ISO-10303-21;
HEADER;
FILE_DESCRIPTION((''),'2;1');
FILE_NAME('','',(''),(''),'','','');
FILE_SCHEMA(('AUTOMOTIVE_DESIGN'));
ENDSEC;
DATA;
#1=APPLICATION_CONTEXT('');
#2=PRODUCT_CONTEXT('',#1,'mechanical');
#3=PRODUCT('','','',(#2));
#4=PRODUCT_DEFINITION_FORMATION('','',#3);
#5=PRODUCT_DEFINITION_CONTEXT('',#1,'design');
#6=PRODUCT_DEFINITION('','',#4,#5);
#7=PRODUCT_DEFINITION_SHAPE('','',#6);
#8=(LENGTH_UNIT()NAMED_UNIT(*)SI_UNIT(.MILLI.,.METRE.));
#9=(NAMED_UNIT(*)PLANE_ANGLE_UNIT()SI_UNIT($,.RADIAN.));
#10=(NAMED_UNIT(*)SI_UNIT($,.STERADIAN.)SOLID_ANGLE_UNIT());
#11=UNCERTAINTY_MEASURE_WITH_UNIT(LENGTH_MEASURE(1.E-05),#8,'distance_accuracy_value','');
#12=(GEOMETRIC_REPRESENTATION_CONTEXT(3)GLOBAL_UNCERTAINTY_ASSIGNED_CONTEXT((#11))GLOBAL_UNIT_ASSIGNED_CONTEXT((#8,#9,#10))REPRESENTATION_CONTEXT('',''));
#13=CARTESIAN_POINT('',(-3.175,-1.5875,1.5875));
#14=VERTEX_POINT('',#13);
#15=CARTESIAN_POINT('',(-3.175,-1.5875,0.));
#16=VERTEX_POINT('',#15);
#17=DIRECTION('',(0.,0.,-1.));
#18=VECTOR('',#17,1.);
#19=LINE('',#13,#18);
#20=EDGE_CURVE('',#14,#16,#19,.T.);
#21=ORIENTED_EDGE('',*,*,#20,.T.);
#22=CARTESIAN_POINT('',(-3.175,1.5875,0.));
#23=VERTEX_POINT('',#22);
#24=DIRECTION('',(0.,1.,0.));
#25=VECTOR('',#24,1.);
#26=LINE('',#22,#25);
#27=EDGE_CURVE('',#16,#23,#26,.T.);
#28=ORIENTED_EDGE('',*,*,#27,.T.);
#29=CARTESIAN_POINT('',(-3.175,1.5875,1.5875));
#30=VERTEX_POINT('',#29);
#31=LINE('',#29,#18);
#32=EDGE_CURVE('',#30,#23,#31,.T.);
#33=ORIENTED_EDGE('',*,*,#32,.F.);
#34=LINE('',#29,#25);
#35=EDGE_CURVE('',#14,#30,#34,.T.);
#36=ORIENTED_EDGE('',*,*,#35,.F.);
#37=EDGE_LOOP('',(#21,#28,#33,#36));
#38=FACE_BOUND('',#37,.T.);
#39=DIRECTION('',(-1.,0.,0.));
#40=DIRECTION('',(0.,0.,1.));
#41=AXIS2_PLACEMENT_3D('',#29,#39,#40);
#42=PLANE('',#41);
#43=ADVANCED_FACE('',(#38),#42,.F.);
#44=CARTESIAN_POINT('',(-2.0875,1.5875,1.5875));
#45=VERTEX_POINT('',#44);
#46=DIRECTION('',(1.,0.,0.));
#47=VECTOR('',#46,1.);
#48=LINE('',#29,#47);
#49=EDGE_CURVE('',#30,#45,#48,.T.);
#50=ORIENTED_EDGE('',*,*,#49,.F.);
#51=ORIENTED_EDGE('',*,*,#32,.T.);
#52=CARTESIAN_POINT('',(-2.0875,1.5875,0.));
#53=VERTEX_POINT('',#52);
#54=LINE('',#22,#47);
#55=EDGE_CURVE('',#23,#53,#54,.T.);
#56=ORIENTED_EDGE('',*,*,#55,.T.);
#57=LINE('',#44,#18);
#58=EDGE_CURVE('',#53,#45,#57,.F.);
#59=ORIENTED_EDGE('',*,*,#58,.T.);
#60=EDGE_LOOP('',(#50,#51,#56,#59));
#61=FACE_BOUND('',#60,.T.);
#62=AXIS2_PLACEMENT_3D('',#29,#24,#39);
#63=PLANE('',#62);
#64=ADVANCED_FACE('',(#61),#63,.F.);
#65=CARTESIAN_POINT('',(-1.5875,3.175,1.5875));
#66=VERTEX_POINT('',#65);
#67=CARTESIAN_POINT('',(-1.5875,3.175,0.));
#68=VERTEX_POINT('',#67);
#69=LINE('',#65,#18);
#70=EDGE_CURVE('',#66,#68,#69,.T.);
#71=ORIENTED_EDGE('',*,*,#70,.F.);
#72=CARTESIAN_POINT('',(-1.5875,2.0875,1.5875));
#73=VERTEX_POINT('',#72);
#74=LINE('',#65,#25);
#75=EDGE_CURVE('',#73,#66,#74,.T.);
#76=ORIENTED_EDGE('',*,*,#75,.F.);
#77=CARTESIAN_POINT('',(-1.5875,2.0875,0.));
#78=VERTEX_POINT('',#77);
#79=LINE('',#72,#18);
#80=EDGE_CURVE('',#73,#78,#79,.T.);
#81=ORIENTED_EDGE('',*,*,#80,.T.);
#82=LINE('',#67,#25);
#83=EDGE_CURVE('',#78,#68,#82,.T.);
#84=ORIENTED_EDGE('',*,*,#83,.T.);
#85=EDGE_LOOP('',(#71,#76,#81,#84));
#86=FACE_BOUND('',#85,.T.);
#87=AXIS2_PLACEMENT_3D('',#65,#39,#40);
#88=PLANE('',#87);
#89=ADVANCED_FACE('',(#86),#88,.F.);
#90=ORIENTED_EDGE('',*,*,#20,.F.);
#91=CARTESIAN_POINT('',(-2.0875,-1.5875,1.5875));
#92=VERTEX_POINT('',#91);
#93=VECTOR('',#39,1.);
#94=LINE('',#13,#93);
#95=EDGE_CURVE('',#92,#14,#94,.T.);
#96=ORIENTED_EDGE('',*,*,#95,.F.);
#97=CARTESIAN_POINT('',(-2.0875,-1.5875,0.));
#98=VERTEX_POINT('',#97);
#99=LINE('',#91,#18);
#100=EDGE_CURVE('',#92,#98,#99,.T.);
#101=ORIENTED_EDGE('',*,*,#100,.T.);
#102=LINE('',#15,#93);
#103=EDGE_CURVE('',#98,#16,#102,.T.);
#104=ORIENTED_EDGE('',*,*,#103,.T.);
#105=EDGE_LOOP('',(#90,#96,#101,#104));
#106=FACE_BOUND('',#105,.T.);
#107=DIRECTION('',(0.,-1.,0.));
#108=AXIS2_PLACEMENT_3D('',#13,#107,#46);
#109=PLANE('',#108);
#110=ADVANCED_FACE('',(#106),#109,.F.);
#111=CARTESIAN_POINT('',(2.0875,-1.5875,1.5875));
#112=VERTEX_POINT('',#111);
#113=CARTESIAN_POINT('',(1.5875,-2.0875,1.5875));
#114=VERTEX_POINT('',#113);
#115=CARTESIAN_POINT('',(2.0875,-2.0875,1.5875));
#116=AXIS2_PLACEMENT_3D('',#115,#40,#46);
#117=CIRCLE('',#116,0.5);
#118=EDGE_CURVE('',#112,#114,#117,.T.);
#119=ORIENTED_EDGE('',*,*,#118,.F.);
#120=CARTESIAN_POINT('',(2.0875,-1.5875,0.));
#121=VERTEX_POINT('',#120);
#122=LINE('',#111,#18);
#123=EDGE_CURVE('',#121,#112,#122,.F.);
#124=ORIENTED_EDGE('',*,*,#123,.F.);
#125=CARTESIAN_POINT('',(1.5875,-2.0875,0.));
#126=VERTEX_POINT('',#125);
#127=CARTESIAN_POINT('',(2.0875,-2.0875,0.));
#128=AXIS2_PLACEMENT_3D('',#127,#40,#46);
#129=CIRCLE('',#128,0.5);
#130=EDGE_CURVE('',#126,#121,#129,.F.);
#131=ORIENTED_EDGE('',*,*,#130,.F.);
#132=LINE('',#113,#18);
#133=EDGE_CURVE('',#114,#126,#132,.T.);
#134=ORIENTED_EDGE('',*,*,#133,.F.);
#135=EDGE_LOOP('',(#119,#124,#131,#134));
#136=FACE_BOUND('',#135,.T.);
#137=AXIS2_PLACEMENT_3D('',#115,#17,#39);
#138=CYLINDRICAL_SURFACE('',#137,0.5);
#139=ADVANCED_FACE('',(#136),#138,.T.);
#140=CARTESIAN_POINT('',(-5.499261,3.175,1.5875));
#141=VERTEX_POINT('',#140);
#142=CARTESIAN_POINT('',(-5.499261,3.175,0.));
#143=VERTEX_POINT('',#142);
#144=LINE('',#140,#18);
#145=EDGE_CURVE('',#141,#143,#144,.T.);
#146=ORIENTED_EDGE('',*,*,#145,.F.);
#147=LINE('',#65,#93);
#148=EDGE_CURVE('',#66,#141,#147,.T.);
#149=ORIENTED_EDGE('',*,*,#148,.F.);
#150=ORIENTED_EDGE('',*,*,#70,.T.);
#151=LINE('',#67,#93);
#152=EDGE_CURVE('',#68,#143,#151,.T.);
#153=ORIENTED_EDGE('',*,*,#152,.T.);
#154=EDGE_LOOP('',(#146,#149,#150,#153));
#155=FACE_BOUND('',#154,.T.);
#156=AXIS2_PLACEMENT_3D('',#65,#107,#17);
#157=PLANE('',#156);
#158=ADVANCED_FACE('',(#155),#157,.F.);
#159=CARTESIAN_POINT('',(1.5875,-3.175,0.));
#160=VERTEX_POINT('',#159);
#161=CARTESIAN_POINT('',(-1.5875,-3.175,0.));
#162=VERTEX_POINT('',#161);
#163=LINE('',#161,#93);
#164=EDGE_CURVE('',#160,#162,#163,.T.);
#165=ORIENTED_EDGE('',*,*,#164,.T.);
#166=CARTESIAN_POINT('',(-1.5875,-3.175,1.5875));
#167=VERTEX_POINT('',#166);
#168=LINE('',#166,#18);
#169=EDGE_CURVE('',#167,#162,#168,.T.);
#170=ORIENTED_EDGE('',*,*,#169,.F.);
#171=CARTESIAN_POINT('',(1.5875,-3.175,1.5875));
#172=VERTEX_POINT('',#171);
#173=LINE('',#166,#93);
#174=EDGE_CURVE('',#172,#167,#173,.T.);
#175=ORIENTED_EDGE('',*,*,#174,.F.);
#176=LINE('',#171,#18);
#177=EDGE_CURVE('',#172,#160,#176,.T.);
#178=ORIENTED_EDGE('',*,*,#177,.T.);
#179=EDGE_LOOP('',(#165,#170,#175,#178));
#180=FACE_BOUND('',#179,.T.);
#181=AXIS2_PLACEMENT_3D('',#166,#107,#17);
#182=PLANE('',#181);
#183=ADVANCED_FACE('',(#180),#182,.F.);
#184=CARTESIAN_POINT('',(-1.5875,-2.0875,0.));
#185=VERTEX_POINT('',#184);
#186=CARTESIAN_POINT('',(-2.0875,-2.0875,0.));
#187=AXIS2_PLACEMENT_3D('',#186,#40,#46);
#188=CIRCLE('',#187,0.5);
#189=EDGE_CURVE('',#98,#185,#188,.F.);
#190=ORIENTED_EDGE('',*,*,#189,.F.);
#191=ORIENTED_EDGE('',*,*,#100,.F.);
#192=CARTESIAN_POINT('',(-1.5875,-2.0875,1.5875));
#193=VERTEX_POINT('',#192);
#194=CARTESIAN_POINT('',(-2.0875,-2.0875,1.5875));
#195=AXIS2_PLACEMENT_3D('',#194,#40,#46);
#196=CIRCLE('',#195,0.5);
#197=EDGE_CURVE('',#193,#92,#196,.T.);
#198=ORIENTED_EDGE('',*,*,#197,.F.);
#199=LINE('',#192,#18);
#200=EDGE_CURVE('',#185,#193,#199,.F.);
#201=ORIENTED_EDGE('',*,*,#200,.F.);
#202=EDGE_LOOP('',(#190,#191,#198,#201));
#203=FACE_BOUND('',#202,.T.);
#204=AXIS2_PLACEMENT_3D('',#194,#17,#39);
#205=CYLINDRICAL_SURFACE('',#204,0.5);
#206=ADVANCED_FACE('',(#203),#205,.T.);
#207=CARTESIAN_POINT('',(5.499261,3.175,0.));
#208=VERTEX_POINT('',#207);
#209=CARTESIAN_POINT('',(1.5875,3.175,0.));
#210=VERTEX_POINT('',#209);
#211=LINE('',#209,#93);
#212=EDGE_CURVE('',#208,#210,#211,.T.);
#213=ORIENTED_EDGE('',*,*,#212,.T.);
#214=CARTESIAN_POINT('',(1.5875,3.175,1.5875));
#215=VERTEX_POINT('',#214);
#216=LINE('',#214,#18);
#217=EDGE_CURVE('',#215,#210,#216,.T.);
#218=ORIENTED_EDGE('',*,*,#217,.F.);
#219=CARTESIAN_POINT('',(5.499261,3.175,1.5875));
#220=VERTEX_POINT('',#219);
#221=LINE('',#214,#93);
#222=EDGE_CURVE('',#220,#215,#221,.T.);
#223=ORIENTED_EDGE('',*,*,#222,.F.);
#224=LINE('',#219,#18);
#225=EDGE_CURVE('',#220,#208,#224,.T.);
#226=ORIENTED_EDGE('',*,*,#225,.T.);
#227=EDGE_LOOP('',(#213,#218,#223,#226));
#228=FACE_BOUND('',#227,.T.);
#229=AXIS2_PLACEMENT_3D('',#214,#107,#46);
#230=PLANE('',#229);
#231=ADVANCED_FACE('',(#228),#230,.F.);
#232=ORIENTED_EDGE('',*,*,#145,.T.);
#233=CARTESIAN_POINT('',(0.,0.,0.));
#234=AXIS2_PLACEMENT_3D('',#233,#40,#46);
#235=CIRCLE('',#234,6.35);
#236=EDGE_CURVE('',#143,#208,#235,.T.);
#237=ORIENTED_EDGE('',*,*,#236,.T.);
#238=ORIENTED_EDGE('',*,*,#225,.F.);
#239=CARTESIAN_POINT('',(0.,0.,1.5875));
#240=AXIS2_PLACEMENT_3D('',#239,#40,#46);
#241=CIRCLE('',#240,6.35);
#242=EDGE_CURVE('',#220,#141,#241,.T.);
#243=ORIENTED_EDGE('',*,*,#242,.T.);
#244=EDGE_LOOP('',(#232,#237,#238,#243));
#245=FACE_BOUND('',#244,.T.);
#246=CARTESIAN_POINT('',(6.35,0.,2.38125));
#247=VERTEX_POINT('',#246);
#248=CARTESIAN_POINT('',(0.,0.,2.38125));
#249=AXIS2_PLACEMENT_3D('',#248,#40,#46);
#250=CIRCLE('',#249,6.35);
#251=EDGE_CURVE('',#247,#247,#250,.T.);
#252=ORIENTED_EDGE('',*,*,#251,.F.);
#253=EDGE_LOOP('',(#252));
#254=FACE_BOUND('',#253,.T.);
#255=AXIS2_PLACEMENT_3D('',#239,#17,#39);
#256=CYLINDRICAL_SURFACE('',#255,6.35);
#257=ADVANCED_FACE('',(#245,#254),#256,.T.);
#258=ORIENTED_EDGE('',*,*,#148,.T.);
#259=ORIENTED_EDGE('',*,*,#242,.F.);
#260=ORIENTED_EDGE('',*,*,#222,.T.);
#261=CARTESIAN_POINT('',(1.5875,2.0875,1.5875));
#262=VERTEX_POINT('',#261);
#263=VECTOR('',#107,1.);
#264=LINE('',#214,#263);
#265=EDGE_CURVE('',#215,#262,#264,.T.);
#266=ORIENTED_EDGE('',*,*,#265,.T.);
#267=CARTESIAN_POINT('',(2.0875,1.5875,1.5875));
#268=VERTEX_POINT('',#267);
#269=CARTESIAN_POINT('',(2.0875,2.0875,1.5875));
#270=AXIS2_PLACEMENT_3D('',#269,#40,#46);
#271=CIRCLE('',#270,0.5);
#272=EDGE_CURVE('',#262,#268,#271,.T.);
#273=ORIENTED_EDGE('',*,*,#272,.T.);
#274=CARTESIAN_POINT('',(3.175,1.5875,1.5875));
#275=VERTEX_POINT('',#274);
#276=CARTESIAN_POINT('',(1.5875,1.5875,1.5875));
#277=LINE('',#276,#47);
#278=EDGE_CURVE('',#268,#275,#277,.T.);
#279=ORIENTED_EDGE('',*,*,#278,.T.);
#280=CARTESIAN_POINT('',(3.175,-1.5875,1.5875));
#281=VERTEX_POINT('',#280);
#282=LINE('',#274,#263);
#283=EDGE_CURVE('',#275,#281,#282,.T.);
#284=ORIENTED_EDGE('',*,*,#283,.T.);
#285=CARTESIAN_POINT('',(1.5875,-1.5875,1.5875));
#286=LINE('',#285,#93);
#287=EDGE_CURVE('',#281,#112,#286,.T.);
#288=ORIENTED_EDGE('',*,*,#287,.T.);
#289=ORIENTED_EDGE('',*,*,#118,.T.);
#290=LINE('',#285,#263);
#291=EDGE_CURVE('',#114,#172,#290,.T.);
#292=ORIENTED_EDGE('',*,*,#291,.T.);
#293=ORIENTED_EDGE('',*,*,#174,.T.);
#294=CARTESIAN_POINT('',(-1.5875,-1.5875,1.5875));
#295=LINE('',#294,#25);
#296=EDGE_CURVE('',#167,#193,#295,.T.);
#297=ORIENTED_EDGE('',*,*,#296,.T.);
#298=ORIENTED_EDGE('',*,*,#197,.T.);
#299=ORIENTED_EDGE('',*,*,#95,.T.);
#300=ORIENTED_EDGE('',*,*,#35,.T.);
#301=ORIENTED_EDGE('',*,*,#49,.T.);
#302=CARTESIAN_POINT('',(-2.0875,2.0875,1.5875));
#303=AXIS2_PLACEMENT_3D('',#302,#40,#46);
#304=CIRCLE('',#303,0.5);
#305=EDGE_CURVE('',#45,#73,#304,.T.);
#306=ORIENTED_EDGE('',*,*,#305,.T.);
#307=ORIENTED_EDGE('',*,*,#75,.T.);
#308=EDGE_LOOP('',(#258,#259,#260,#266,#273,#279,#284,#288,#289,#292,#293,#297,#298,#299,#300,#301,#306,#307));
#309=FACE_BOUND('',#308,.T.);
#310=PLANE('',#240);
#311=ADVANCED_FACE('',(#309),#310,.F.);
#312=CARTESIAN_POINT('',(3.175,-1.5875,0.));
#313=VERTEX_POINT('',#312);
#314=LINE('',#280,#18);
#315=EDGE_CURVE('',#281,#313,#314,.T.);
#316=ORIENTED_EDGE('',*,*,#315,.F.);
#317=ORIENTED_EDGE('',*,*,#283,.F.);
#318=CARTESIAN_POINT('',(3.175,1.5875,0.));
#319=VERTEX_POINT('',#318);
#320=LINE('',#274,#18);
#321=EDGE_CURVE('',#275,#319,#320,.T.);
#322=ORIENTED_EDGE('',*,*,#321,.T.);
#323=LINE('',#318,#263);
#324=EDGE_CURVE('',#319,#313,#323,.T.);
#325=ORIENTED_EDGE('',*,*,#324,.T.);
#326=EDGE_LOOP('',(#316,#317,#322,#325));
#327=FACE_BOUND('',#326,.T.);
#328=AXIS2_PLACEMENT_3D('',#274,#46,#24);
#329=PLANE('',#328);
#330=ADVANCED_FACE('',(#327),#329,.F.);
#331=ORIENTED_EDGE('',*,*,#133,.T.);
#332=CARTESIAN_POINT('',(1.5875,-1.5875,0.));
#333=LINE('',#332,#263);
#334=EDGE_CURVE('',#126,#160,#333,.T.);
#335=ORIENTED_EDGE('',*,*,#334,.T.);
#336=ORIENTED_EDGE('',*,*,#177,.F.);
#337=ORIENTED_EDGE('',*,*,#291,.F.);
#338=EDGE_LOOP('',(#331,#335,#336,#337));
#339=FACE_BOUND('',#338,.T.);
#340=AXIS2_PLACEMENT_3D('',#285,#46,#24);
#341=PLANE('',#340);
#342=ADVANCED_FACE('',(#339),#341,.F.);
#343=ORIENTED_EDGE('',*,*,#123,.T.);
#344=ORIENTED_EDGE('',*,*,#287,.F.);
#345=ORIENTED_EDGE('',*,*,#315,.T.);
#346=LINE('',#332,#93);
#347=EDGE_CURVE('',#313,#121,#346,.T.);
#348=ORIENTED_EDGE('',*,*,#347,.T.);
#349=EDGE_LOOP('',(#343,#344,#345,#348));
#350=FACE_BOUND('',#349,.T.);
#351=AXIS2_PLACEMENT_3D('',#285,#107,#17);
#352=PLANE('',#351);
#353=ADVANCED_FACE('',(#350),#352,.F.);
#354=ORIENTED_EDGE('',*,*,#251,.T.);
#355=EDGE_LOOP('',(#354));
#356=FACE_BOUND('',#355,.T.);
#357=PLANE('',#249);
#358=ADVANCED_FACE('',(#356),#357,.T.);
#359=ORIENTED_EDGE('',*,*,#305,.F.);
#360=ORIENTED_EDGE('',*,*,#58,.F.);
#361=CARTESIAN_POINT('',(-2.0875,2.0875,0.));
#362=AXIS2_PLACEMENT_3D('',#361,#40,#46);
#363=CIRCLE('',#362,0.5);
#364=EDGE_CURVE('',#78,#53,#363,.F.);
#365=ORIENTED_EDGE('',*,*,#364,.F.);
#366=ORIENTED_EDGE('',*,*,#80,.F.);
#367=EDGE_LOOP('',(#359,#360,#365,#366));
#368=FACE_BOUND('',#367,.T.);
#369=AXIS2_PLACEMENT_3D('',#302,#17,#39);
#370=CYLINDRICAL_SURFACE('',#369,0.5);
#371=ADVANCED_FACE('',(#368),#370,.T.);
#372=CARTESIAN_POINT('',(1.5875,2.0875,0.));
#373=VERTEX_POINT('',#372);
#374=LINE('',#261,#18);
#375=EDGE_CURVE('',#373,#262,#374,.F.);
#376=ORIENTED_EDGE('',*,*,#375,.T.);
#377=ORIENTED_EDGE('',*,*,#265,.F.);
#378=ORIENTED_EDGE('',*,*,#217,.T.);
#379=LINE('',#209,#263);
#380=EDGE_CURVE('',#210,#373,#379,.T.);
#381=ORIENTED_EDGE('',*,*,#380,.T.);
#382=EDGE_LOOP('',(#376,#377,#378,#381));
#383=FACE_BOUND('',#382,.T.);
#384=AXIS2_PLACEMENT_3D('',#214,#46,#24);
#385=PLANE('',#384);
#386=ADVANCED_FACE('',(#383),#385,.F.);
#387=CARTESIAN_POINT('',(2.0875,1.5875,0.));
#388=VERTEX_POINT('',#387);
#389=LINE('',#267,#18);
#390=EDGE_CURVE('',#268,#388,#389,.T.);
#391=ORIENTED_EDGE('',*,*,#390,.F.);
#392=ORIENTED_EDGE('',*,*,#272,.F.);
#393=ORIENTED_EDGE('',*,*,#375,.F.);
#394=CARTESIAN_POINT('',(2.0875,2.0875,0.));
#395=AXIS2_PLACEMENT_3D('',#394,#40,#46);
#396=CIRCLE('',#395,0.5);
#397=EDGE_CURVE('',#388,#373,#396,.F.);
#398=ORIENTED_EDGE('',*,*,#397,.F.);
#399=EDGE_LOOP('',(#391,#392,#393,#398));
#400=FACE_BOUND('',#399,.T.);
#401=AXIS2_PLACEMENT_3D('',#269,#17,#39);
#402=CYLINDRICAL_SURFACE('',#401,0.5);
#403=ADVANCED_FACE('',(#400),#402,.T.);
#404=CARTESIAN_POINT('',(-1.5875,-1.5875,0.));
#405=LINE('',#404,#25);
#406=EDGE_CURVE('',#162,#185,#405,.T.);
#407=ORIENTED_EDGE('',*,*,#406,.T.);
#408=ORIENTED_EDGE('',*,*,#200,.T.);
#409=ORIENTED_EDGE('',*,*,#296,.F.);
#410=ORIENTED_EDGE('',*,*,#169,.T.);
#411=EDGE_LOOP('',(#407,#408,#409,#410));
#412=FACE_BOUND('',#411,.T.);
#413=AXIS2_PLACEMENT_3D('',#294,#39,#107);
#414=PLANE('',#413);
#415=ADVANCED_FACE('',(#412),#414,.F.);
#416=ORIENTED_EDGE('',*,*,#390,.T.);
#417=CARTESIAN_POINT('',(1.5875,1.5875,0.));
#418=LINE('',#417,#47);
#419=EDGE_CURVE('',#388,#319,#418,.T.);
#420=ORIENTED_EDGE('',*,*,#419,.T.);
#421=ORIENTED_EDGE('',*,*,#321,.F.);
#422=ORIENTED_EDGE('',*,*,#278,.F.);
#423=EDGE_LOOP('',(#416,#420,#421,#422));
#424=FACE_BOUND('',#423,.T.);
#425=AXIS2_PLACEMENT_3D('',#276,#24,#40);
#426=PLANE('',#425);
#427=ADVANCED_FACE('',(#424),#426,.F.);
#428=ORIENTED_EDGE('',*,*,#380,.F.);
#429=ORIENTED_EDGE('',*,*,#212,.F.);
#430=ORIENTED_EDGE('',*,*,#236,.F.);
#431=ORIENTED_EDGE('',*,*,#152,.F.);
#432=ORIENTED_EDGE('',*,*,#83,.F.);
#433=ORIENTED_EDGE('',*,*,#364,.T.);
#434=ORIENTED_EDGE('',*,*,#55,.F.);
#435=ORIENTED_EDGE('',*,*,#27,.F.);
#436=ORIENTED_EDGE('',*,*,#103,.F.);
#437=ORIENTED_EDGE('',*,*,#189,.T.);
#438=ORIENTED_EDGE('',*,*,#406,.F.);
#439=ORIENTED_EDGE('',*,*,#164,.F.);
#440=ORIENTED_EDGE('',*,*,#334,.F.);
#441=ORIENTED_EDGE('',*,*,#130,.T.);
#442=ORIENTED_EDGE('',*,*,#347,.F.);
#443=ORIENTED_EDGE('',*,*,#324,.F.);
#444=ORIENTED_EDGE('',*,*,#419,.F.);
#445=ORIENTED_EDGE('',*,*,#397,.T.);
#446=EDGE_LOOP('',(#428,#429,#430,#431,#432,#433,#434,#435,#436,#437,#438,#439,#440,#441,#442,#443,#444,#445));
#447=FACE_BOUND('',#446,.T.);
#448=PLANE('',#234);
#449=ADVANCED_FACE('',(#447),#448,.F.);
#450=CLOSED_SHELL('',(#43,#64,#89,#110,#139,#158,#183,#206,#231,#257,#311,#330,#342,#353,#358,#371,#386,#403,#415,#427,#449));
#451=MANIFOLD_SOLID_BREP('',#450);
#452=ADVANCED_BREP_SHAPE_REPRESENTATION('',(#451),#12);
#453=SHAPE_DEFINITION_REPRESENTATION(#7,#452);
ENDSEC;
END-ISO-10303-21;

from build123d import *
from build123d.topology import SkipClean

# Parameters (mm, degrees)
BOSS_EXTRUDE1_DEPTH = 1.5875
SKETCH2_R           = 6.35
BOSS_EXTRUDE2_DEPTH = 0.79375
FILLET1_R           = 0.5


with BuildPart() as part:
    # Sketch1 → Boss-Extrude1 (new body)
    with BuildSketch(Plane.XY):
        with BuildLine():
            Line((-1.5875, 3.175), (-1.5875, 1.5875))
            Line((-1.5875, 1.5875), (-3.175, 1.5875))
            Line((-3.175, 1.5875), (-3.175, -1.5875))
            Line((-3.175, -1.5875), (-1.5875, -1.5875))
            Line((-1.5875, -1.5875), (-1.5875, -3.175))
            Line((-1.5875, -3.175), (1.5875, -3.175))
            Line((1.5875, -3.175), (1.5875, -1.5875))
            Line((1.5875, -1.5875), (3.175, -1.5875))
            Line((3.175, -1.5875), (3.175, 1.5875))
            Line((3.175, 1.5875), (1.5875, 1.5875))
            Line((1.5875, 1.5875), (1.5875, 3.175))
            Line((1.5875, 3.175), (5.499261314, 3.175))
            ThreePointArc((5.499261314, 3.175), (0, -6.35), (-5.499261314, 3.175))
            Line((-5.499261314, 3.175), (-1.5875, 3.175))
        make_face()
    extrude(amount=BOSS_EXTRUDE1_DEPTH)

    # Sketch2 → Boss-Extrude2 (add)
    with SkipClean():  # the faces are left unmerged after this step: merging them gives an invalid solid
        with BuildSketch(Plane.XY.offset(1.5875)):
            with Locations(Location((0, 0, 0), (0, 0, 150))):
                Circle(SKETCH2_R)
        extrude(amount=BOSS_EXTRUDE2_DEPTH)

    # Fillet1
    fillet1_edges = [part.edges().sort_by_distance(p)[0] for p in [
        (-1.5875, 1.5875, 0.79375),
        (-1.5875, -1.5875, 0.79375),
        (1.5875, -1.5875, 0.79375),
        (1.5875, 1.5875, 0.79375),
    ]]
    fillet(fillet1_edges, radius=FILLET1_R)


solid = part.part
